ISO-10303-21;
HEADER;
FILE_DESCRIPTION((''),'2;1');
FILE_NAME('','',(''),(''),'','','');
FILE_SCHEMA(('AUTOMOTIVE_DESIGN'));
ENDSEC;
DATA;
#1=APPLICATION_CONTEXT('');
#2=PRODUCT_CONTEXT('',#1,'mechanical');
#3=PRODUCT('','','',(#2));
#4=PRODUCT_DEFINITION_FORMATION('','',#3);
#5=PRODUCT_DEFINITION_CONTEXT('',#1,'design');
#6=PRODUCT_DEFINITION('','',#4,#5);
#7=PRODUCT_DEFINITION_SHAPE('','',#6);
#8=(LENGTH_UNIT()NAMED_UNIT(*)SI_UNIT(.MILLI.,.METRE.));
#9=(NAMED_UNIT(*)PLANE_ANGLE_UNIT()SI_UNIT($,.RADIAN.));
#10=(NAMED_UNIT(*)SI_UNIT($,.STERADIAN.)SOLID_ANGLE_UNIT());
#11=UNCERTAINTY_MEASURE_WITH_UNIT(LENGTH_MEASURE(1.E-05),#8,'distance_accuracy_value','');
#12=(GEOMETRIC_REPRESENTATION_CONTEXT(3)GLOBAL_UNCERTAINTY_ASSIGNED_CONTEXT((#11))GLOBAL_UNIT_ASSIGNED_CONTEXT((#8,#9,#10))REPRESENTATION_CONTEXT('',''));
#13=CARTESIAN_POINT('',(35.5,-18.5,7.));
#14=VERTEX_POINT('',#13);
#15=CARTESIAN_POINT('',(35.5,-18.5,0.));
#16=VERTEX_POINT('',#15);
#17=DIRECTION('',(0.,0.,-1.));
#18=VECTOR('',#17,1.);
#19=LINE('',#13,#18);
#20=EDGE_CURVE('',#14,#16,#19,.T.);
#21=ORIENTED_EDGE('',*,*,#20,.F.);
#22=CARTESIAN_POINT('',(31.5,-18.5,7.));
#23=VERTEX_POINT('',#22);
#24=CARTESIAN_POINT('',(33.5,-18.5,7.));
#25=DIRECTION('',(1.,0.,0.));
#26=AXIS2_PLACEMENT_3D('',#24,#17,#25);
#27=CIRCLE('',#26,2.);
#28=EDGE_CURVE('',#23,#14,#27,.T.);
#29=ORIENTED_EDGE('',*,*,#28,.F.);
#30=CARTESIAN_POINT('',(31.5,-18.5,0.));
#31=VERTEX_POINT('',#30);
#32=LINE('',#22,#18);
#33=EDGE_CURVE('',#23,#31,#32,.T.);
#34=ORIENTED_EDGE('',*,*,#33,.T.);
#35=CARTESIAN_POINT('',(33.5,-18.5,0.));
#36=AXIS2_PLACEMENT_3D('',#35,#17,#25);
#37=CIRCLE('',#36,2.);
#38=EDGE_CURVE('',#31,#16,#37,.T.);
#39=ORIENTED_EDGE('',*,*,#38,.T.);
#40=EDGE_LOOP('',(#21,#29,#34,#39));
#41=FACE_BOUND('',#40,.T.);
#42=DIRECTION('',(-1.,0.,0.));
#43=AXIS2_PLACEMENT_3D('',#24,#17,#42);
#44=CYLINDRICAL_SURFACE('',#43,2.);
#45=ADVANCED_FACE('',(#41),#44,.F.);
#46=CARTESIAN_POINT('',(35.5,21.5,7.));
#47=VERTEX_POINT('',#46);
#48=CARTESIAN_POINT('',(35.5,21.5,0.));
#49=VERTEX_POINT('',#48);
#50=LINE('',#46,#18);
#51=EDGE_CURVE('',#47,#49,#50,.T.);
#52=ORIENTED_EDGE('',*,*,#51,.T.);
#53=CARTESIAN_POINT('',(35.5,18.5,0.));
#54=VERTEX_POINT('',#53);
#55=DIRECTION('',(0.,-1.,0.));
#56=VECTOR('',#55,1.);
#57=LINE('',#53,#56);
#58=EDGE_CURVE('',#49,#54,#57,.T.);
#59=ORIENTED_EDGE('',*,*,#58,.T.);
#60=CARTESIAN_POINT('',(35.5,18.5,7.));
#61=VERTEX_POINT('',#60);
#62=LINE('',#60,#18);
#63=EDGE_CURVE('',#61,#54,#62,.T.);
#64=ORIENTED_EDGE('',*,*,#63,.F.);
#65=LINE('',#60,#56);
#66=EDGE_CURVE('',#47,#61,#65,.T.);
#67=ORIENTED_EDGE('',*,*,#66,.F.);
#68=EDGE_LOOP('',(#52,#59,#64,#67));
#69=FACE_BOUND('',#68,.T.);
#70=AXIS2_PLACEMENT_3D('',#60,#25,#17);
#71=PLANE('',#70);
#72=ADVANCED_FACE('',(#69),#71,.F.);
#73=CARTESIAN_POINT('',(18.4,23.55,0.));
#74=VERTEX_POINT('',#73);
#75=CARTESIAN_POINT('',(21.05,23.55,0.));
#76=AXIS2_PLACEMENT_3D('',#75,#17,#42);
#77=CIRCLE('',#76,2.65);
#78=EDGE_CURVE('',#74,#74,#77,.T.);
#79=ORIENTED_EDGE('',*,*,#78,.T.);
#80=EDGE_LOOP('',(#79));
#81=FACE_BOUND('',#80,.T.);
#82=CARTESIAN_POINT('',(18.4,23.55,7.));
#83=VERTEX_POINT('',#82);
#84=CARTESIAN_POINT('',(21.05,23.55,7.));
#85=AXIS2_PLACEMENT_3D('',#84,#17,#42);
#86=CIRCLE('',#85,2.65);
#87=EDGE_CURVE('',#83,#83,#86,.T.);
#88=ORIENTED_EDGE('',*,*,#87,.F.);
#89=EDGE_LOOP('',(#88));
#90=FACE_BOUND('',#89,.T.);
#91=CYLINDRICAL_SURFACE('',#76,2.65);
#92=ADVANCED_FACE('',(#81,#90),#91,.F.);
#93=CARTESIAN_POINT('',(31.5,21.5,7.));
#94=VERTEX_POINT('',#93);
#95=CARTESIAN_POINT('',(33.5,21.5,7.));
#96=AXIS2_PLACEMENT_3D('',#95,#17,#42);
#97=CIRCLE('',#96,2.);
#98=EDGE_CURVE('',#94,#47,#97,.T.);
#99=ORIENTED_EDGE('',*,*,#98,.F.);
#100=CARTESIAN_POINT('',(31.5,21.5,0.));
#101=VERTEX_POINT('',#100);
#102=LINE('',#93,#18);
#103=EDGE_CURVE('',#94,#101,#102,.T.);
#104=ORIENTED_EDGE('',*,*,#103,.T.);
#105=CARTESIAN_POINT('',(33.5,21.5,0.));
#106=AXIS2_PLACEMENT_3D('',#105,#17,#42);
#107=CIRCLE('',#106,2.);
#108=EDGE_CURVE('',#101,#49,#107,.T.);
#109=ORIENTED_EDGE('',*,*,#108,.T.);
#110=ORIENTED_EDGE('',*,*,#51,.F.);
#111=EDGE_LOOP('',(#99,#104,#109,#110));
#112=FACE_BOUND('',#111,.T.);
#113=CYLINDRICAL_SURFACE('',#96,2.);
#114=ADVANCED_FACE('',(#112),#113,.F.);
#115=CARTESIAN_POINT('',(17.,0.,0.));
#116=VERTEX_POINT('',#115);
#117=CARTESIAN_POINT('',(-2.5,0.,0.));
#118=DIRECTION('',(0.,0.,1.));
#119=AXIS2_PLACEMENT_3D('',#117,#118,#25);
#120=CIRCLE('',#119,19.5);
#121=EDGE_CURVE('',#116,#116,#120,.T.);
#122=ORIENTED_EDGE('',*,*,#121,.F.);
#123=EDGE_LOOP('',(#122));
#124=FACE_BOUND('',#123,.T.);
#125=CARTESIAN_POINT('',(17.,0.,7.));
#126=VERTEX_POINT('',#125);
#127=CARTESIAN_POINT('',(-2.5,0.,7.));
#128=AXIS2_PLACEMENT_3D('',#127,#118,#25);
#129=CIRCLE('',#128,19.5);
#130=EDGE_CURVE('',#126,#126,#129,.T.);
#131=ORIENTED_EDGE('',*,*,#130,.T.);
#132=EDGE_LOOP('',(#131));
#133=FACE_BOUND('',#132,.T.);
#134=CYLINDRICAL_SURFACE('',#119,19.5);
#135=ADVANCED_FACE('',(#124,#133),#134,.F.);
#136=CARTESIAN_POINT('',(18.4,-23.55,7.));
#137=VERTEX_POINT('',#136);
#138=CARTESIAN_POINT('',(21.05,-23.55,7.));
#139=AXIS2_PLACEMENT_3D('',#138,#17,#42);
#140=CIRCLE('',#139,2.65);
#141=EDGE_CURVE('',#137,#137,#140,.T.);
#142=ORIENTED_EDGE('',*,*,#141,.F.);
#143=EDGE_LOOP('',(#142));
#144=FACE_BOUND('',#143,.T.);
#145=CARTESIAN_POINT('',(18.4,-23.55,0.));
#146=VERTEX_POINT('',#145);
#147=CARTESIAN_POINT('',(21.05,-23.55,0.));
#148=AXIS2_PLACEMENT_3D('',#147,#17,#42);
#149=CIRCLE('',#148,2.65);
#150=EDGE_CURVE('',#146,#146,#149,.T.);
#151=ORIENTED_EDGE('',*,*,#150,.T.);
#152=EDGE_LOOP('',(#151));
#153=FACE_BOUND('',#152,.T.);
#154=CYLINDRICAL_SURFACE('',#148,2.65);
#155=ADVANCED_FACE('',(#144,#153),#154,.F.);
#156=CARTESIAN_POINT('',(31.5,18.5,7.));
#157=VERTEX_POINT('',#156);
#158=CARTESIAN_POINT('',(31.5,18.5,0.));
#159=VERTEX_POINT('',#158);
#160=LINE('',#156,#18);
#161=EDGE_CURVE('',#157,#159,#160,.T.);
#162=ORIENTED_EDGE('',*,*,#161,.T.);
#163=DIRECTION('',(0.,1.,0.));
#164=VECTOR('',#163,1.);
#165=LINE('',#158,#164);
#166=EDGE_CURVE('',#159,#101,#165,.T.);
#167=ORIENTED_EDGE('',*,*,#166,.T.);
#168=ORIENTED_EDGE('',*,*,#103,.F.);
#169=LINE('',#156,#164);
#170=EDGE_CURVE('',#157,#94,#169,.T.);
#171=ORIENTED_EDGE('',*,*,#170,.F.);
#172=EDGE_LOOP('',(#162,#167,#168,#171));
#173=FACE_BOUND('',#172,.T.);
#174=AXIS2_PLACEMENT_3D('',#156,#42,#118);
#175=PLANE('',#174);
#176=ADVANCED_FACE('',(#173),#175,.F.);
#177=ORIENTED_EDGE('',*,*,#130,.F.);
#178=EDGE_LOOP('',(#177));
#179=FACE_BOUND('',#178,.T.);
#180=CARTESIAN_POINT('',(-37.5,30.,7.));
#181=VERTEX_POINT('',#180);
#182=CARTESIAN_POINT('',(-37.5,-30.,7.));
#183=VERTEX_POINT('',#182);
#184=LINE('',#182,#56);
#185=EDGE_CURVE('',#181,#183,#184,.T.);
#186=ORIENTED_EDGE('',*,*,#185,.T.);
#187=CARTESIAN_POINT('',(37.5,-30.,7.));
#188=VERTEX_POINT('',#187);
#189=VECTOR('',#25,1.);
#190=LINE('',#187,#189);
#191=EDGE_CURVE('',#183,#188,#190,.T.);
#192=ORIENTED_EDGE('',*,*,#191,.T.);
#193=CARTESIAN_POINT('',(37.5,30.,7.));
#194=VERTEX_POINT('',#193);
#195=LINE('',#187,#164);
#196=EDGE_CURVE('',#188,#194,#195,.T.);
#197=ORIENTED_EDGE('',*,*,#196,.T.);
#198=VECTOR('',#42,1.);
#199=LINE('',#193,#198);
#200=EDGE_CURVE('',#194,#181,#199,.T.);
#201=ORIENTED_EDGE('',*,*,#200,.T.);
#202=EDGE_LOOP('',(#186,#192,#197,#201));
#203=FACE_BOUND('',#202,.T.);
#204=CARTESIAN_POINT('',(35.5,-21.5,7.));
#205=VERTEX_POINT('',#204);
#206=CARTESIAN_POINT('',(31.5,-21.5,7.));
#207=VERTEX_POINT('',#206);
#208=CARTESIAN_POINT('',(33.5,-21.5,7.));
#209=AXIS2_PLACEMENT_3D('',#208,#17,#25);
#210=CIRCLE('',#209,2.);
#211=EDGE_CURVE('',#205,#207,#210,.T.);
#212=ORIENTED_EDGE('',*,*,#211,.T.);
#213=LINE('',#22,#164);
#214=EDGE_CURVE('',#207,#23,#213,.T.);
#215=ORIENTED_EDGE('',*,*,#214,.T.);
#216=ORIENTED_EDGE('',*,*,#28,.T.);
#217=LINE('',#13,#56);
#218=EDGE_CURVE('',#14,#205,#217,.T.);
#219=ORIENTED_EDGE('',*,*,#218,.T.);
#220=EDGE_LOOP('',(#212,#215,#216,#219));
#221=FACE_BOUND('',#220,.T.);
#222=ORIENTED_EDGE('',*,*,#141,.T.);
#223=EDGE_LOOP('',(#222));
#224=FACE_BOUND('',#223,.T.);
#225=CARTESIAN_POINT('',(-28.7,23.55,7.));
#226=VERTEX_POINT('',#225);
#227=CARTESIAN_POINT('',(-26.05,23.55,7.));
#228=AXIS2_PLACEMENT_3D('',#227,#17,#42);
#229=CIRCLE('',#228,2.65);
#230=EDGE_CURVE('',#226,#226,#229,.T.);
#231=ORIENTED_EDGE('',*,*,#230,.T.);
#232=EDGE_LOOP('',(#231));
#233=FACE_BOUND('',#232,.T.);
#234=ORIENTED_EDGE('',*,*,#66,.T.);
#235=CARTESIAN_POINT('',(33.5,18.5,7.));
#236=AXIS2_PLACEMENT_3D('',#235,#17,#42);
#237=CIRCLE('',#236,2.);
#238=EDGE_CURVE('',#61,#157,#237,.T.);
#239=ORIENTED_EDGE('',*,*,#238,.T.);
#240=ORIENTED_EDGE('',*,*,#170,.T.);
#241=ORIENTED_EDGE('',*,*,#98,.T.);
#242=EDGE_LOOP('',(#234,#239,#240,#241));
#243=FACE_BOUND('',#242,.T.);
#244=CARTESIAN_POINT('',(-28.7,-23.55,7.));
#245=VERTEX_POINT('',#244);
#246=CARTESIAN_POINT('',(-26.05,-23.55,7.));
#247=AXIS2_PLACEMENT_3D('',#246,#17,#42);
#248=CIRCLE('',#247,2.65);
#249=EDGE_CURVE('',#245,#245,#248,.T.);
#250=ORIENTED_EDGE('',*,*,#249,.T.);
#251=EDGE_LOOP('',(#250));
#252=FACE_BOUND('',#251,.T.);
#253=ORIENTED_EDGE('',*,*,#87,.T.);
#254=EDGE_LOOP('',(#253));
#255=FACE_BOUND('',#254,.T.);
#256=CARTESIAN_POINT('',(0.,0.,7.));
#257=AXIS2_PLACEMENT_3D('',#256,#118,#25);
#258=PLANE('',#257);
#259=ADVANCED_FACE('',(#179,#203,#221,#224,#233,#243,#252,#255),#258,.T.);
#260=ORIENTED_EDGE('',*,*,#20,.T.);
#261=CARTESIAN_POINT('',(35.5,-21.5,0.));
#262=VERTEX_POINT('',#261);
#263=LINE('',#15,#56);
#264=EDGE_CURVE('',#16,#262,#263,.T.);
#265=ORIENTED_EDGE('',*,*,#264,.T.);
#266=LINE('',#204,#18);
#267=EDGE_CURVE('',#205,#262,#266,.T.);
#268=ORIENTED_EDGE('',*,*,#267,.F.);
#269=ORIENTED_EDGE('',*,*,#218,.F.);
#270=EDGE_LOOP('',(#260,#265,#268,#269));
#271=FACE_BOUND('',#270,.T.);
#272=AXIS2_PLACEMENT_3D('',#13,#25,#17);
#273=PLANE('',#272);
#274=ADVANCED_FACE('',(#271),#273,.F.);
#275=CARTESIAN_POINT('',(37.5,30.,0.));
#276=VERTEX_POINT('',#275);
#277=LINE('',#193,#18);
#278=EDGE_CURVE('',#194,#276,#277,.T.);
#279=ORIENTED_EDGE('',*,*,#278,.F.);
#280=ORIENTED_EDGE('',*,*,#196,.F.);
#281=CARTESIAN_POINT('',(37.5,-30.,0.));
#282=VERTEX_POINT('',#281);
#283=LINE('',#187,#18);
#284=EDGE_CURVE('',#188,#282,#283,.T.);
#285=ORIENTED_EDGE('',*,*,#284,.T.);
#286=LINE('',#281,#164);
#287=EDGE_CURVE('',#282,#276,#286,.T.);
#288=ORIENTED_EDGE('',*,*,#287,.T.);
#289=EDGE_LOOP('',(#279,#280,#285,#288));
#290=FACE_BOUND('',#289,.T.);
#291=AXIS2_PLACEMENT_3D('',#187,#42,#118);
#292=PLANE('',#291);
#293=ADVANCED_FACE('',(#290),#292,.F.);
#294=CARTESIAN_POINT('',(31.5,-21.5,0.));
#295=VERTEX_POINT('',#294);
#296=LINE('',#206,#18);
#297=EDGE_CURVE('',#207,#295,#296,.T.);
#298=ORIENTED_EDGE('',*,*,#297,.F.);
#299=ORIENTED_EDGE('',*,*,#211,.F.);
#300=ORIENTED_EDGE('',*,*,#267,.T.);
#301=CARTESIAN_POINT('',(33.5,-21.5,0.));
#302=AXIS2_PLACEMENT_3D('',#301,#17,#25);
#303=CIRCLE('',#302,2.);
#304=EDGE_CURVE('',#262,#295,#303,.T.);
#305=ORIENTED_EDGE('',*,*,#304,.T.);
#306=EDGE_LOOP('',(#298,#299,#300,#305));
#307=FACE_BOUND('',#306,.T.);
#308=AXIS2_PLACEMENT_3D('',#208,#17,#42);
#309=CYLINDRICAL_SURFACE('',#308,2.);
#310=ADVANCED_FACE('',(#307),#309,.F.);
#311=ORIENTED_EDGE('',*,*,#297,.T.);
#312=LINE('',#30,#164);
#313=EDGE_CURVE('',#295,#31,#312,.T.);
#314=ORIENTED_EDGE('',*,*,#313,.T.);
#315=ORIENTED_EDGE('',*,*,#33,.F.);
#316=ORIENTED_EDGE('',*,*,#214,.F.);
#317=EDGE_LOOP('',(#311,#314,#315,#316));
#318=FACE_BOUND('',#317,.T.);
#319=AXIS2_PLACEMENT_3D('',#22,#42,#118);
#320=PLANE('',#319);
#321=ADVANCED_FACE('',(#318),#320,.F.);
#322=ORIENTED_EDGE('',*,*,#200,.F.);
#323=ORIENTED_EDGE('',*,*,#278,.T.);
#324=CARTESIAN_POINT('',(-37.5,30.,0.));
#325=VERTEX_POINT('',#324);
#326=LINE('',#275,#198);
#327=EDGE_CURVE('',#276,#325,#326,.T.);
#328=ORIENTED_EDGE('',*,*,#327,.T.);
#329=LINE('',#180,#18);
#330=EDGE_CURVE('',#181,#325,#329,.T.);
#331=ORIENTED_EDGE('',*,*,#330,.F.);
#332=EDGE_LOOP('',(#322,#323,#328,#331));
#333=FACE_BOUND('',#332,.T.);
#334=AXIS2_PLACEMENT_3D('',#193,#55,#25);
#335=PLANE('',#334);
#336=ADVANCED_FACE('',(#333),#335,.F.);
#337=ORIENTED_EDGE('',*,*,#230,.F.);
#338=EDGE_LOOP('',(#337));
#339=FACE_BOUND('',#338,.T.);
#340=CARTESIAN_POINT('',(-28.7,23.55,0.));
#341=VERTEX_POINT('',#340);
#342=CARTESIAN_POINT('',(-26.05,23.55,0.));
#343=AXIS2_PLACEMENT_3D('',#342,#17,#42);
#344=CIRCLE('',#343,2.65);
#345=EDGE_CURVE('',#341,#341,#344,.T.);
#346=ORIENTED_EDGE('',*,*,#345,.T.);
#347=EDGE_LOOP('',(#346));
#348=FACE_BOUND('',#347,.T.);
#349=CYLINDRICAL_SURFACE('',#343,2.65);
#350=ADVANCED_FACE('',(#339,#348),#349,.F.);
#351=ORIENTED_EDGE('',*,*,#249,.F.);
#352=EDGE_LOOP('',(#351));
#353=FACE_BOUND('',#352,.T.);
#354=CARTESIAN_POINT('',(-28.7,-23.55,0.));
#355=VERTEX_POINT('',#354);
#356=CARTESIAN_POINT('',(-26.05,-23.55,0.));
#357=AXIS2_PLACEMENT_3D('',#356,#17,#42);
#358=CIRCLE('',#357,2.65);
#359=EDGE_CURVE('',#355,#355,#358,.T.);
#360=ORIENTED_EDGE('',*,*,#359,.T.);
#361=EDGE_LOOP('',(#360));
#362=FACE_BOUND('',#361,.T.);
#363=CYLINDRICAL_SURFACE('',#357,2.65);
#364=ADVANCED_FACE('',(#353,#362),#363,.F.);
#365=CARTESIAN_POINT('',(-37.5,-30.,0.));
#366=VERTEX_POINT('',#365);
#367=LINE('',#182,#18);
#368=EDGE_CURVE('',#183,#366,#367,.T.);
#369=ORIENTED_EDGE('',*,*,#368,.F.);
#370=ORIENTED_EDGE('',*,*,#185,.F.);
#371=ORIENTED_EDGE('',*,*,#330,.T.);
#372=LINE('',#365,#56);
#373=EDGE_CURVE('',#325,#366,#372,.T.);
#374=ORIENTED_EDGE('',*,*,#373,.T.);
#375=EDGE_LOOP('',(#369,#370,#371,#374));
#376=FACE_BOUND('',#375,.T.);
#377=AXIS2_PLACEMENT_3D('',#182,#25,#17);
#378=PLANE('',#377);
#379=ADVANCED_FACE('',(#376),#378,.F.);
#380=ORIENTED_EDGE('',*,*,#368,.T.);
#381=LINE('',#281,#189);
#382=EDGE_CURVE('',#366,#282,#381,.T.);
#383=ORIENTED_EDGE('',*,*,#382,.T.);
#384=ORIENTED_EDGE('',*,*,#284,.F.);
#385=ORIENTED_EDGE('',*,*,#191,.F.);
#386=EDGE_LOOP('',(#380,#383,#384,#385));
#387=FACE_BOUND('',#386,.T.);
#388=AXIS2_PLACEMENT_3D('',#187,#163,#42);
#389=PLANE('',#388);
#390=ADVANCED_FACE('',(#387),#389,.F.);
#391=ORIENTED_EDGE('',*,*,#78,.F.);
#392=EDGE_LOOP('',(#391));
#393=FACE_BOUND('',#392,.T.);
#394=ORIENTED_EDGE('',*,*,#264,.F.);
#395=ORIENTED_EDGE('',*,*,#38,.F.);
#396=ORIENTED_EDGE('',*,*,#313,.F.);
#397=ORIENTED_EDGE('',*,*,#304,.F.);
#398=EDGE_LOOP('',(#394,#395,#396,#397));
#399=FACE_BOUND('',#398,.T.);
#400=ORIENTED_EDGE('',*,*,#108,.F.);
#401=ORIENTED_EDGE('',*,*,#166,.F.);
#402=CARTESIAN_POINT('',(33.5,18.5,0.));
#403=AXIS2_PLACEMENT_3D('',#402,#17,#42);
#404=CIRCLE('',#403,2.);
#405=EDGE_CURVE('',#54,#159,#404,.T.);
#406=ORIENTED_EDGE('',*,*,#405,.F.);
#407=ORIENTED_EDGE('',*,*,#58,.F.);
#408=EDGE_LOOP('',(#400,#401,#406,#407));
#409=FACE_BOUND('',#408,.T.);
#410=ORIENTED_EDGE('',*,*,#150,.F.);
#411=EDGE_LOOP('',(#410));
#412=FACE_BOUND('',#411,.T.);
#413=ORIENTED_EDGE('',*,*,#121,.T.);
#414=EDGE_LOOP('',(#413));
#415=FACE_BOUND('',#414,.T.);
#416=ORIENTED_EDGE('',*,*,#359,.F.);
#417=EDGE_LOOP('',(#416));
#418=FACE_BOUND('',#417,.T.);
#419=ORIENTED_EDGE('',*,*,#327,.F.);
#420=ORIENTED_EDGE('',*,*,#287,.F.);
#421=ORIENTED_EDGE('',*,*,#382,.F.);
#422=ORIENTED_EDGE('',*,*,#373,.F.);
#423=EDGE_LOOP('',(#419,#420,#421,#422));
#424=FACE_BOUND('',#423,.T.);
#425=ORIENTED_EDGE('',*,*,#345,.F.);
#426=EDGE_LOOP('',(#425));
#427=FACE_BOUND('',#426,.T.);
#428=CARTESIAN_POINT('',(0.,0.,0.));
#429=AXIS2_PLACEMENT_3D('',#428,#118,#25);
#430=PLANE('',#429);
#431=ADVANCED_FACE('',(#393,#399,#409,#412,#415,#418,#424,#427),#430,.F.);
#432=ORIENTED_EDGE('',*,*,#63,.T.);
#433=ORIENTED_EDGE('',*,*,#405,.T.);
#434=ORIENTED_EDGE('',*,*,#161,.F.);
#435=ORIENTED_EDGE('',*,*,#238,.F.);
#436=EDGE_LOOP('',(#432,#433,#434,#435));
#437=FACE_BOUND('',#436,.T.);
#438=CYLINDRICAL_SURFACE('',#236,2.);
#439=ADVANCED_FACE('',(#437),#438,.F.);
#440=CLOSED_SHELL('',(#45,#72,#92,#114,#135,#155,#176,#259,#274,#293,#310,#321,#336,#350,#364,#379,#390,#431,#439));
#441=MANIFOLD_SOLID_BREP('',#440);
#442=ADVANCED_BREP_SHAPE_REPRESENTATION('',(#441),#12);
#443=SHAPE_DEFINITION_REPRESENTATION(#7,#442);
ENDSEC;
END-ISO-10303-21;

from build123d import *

# Parameters (mm, degrees)
SKETCH1_W                  = 75
SKETCH1_H                  = 60
BOSS_EXTRUDE1_DEPTH        = 7
F_5_3_5_3_DIAMETER_HOLE1_D = 5.3
F_10_0_10_DIAMETER_HOLE1_D = 10
SKETCH5_R                  = 19.5
CUT_EXTRUDE1_DEPTH         = 49.53091798
CUT_EXTRUDE2_DEPTH         = 49.53091798


with BuildPart() as part:
    # Sketch1 → Boss-Extrude1 (new body)
    with BuildSketch(Plane.XY):
        Rectangle(SKETCH1_W, SKETCH1_H)
    extrude(amount=BOSS_EXTRUDE1_DEPTH)

    # Ø5.3 (5.3) Diameter Hole1 (through all)
    with Locations(Plane(origin=(21.05, 23.55, 0), x_dir=(-1, 0, 0), z_dir=(0, 0, -1))):
        with Locations((0, 0), (47.1, 0), (47.1, -47.1), (0, -47.1)):
            Hole(F_5_3_5_3_DIAMETER_HOLE1_D / 2)

    # Ø10.0 (10) Diameter Hole1 (through all)
    with Locations(Plane(origin=(-2.5, 0, 0), x_dir=(-1, 0, 0), z_dir=(0, 0, -1))):
        with Locations((0, 0)):
            Hole(F_10_0_10_DIAMETER_HOLE1_D / 2)

    # Sketch5 → Cut-Extrude1 (cut, through all)
    with BuildSketch(Plane.XY.offset(7)):
        with Locations((-2.5, 0)):
            Circle(SKETCH5_R)
    extrude(amount=-CUT_EXTRUDE1_DEPTH, mode=Mode.SUBTRACT)

    # Sketch6 → Cut-Extrude2 (cut, through all)
    with BuildSketch(Plane(origin=(0, 0, 0), x_dir=(-1, 0, 0), z_dir=(0, 0, -1))):
        with BuildLine():
            Line((-35.5, 18.5), (-35.5, 21.5))
            ThreePointArc((-35.5, 21.5), (-33.5, 23.5), (-31.5, 21.5))
            Line((-31.5, 21.5), (-31.5, 18.5))
            ThreePointArc((-31.5, 18.5), (-33.5, 16.5), (-35.5, 18.5))
        make_face()
        with BuildLine():
            Line((-35.5, -18.5), (-35.5, -21.5))
            ThreePointArc((-35.5, -21.5), (-33.5, -23.5), (-31.5, -21.5))
            Line((-31.5, -21.5), (-31.5, -18.5))
            ThreePointArc((-31.5, -18.5), (-33.5, -16.5), (-35.5, -18.5))
        make_face()
    extrude(amount=-CUT_EXTRUDE2_DEPTH, mode=Mode.SUBTRACT)


solid = part.part
